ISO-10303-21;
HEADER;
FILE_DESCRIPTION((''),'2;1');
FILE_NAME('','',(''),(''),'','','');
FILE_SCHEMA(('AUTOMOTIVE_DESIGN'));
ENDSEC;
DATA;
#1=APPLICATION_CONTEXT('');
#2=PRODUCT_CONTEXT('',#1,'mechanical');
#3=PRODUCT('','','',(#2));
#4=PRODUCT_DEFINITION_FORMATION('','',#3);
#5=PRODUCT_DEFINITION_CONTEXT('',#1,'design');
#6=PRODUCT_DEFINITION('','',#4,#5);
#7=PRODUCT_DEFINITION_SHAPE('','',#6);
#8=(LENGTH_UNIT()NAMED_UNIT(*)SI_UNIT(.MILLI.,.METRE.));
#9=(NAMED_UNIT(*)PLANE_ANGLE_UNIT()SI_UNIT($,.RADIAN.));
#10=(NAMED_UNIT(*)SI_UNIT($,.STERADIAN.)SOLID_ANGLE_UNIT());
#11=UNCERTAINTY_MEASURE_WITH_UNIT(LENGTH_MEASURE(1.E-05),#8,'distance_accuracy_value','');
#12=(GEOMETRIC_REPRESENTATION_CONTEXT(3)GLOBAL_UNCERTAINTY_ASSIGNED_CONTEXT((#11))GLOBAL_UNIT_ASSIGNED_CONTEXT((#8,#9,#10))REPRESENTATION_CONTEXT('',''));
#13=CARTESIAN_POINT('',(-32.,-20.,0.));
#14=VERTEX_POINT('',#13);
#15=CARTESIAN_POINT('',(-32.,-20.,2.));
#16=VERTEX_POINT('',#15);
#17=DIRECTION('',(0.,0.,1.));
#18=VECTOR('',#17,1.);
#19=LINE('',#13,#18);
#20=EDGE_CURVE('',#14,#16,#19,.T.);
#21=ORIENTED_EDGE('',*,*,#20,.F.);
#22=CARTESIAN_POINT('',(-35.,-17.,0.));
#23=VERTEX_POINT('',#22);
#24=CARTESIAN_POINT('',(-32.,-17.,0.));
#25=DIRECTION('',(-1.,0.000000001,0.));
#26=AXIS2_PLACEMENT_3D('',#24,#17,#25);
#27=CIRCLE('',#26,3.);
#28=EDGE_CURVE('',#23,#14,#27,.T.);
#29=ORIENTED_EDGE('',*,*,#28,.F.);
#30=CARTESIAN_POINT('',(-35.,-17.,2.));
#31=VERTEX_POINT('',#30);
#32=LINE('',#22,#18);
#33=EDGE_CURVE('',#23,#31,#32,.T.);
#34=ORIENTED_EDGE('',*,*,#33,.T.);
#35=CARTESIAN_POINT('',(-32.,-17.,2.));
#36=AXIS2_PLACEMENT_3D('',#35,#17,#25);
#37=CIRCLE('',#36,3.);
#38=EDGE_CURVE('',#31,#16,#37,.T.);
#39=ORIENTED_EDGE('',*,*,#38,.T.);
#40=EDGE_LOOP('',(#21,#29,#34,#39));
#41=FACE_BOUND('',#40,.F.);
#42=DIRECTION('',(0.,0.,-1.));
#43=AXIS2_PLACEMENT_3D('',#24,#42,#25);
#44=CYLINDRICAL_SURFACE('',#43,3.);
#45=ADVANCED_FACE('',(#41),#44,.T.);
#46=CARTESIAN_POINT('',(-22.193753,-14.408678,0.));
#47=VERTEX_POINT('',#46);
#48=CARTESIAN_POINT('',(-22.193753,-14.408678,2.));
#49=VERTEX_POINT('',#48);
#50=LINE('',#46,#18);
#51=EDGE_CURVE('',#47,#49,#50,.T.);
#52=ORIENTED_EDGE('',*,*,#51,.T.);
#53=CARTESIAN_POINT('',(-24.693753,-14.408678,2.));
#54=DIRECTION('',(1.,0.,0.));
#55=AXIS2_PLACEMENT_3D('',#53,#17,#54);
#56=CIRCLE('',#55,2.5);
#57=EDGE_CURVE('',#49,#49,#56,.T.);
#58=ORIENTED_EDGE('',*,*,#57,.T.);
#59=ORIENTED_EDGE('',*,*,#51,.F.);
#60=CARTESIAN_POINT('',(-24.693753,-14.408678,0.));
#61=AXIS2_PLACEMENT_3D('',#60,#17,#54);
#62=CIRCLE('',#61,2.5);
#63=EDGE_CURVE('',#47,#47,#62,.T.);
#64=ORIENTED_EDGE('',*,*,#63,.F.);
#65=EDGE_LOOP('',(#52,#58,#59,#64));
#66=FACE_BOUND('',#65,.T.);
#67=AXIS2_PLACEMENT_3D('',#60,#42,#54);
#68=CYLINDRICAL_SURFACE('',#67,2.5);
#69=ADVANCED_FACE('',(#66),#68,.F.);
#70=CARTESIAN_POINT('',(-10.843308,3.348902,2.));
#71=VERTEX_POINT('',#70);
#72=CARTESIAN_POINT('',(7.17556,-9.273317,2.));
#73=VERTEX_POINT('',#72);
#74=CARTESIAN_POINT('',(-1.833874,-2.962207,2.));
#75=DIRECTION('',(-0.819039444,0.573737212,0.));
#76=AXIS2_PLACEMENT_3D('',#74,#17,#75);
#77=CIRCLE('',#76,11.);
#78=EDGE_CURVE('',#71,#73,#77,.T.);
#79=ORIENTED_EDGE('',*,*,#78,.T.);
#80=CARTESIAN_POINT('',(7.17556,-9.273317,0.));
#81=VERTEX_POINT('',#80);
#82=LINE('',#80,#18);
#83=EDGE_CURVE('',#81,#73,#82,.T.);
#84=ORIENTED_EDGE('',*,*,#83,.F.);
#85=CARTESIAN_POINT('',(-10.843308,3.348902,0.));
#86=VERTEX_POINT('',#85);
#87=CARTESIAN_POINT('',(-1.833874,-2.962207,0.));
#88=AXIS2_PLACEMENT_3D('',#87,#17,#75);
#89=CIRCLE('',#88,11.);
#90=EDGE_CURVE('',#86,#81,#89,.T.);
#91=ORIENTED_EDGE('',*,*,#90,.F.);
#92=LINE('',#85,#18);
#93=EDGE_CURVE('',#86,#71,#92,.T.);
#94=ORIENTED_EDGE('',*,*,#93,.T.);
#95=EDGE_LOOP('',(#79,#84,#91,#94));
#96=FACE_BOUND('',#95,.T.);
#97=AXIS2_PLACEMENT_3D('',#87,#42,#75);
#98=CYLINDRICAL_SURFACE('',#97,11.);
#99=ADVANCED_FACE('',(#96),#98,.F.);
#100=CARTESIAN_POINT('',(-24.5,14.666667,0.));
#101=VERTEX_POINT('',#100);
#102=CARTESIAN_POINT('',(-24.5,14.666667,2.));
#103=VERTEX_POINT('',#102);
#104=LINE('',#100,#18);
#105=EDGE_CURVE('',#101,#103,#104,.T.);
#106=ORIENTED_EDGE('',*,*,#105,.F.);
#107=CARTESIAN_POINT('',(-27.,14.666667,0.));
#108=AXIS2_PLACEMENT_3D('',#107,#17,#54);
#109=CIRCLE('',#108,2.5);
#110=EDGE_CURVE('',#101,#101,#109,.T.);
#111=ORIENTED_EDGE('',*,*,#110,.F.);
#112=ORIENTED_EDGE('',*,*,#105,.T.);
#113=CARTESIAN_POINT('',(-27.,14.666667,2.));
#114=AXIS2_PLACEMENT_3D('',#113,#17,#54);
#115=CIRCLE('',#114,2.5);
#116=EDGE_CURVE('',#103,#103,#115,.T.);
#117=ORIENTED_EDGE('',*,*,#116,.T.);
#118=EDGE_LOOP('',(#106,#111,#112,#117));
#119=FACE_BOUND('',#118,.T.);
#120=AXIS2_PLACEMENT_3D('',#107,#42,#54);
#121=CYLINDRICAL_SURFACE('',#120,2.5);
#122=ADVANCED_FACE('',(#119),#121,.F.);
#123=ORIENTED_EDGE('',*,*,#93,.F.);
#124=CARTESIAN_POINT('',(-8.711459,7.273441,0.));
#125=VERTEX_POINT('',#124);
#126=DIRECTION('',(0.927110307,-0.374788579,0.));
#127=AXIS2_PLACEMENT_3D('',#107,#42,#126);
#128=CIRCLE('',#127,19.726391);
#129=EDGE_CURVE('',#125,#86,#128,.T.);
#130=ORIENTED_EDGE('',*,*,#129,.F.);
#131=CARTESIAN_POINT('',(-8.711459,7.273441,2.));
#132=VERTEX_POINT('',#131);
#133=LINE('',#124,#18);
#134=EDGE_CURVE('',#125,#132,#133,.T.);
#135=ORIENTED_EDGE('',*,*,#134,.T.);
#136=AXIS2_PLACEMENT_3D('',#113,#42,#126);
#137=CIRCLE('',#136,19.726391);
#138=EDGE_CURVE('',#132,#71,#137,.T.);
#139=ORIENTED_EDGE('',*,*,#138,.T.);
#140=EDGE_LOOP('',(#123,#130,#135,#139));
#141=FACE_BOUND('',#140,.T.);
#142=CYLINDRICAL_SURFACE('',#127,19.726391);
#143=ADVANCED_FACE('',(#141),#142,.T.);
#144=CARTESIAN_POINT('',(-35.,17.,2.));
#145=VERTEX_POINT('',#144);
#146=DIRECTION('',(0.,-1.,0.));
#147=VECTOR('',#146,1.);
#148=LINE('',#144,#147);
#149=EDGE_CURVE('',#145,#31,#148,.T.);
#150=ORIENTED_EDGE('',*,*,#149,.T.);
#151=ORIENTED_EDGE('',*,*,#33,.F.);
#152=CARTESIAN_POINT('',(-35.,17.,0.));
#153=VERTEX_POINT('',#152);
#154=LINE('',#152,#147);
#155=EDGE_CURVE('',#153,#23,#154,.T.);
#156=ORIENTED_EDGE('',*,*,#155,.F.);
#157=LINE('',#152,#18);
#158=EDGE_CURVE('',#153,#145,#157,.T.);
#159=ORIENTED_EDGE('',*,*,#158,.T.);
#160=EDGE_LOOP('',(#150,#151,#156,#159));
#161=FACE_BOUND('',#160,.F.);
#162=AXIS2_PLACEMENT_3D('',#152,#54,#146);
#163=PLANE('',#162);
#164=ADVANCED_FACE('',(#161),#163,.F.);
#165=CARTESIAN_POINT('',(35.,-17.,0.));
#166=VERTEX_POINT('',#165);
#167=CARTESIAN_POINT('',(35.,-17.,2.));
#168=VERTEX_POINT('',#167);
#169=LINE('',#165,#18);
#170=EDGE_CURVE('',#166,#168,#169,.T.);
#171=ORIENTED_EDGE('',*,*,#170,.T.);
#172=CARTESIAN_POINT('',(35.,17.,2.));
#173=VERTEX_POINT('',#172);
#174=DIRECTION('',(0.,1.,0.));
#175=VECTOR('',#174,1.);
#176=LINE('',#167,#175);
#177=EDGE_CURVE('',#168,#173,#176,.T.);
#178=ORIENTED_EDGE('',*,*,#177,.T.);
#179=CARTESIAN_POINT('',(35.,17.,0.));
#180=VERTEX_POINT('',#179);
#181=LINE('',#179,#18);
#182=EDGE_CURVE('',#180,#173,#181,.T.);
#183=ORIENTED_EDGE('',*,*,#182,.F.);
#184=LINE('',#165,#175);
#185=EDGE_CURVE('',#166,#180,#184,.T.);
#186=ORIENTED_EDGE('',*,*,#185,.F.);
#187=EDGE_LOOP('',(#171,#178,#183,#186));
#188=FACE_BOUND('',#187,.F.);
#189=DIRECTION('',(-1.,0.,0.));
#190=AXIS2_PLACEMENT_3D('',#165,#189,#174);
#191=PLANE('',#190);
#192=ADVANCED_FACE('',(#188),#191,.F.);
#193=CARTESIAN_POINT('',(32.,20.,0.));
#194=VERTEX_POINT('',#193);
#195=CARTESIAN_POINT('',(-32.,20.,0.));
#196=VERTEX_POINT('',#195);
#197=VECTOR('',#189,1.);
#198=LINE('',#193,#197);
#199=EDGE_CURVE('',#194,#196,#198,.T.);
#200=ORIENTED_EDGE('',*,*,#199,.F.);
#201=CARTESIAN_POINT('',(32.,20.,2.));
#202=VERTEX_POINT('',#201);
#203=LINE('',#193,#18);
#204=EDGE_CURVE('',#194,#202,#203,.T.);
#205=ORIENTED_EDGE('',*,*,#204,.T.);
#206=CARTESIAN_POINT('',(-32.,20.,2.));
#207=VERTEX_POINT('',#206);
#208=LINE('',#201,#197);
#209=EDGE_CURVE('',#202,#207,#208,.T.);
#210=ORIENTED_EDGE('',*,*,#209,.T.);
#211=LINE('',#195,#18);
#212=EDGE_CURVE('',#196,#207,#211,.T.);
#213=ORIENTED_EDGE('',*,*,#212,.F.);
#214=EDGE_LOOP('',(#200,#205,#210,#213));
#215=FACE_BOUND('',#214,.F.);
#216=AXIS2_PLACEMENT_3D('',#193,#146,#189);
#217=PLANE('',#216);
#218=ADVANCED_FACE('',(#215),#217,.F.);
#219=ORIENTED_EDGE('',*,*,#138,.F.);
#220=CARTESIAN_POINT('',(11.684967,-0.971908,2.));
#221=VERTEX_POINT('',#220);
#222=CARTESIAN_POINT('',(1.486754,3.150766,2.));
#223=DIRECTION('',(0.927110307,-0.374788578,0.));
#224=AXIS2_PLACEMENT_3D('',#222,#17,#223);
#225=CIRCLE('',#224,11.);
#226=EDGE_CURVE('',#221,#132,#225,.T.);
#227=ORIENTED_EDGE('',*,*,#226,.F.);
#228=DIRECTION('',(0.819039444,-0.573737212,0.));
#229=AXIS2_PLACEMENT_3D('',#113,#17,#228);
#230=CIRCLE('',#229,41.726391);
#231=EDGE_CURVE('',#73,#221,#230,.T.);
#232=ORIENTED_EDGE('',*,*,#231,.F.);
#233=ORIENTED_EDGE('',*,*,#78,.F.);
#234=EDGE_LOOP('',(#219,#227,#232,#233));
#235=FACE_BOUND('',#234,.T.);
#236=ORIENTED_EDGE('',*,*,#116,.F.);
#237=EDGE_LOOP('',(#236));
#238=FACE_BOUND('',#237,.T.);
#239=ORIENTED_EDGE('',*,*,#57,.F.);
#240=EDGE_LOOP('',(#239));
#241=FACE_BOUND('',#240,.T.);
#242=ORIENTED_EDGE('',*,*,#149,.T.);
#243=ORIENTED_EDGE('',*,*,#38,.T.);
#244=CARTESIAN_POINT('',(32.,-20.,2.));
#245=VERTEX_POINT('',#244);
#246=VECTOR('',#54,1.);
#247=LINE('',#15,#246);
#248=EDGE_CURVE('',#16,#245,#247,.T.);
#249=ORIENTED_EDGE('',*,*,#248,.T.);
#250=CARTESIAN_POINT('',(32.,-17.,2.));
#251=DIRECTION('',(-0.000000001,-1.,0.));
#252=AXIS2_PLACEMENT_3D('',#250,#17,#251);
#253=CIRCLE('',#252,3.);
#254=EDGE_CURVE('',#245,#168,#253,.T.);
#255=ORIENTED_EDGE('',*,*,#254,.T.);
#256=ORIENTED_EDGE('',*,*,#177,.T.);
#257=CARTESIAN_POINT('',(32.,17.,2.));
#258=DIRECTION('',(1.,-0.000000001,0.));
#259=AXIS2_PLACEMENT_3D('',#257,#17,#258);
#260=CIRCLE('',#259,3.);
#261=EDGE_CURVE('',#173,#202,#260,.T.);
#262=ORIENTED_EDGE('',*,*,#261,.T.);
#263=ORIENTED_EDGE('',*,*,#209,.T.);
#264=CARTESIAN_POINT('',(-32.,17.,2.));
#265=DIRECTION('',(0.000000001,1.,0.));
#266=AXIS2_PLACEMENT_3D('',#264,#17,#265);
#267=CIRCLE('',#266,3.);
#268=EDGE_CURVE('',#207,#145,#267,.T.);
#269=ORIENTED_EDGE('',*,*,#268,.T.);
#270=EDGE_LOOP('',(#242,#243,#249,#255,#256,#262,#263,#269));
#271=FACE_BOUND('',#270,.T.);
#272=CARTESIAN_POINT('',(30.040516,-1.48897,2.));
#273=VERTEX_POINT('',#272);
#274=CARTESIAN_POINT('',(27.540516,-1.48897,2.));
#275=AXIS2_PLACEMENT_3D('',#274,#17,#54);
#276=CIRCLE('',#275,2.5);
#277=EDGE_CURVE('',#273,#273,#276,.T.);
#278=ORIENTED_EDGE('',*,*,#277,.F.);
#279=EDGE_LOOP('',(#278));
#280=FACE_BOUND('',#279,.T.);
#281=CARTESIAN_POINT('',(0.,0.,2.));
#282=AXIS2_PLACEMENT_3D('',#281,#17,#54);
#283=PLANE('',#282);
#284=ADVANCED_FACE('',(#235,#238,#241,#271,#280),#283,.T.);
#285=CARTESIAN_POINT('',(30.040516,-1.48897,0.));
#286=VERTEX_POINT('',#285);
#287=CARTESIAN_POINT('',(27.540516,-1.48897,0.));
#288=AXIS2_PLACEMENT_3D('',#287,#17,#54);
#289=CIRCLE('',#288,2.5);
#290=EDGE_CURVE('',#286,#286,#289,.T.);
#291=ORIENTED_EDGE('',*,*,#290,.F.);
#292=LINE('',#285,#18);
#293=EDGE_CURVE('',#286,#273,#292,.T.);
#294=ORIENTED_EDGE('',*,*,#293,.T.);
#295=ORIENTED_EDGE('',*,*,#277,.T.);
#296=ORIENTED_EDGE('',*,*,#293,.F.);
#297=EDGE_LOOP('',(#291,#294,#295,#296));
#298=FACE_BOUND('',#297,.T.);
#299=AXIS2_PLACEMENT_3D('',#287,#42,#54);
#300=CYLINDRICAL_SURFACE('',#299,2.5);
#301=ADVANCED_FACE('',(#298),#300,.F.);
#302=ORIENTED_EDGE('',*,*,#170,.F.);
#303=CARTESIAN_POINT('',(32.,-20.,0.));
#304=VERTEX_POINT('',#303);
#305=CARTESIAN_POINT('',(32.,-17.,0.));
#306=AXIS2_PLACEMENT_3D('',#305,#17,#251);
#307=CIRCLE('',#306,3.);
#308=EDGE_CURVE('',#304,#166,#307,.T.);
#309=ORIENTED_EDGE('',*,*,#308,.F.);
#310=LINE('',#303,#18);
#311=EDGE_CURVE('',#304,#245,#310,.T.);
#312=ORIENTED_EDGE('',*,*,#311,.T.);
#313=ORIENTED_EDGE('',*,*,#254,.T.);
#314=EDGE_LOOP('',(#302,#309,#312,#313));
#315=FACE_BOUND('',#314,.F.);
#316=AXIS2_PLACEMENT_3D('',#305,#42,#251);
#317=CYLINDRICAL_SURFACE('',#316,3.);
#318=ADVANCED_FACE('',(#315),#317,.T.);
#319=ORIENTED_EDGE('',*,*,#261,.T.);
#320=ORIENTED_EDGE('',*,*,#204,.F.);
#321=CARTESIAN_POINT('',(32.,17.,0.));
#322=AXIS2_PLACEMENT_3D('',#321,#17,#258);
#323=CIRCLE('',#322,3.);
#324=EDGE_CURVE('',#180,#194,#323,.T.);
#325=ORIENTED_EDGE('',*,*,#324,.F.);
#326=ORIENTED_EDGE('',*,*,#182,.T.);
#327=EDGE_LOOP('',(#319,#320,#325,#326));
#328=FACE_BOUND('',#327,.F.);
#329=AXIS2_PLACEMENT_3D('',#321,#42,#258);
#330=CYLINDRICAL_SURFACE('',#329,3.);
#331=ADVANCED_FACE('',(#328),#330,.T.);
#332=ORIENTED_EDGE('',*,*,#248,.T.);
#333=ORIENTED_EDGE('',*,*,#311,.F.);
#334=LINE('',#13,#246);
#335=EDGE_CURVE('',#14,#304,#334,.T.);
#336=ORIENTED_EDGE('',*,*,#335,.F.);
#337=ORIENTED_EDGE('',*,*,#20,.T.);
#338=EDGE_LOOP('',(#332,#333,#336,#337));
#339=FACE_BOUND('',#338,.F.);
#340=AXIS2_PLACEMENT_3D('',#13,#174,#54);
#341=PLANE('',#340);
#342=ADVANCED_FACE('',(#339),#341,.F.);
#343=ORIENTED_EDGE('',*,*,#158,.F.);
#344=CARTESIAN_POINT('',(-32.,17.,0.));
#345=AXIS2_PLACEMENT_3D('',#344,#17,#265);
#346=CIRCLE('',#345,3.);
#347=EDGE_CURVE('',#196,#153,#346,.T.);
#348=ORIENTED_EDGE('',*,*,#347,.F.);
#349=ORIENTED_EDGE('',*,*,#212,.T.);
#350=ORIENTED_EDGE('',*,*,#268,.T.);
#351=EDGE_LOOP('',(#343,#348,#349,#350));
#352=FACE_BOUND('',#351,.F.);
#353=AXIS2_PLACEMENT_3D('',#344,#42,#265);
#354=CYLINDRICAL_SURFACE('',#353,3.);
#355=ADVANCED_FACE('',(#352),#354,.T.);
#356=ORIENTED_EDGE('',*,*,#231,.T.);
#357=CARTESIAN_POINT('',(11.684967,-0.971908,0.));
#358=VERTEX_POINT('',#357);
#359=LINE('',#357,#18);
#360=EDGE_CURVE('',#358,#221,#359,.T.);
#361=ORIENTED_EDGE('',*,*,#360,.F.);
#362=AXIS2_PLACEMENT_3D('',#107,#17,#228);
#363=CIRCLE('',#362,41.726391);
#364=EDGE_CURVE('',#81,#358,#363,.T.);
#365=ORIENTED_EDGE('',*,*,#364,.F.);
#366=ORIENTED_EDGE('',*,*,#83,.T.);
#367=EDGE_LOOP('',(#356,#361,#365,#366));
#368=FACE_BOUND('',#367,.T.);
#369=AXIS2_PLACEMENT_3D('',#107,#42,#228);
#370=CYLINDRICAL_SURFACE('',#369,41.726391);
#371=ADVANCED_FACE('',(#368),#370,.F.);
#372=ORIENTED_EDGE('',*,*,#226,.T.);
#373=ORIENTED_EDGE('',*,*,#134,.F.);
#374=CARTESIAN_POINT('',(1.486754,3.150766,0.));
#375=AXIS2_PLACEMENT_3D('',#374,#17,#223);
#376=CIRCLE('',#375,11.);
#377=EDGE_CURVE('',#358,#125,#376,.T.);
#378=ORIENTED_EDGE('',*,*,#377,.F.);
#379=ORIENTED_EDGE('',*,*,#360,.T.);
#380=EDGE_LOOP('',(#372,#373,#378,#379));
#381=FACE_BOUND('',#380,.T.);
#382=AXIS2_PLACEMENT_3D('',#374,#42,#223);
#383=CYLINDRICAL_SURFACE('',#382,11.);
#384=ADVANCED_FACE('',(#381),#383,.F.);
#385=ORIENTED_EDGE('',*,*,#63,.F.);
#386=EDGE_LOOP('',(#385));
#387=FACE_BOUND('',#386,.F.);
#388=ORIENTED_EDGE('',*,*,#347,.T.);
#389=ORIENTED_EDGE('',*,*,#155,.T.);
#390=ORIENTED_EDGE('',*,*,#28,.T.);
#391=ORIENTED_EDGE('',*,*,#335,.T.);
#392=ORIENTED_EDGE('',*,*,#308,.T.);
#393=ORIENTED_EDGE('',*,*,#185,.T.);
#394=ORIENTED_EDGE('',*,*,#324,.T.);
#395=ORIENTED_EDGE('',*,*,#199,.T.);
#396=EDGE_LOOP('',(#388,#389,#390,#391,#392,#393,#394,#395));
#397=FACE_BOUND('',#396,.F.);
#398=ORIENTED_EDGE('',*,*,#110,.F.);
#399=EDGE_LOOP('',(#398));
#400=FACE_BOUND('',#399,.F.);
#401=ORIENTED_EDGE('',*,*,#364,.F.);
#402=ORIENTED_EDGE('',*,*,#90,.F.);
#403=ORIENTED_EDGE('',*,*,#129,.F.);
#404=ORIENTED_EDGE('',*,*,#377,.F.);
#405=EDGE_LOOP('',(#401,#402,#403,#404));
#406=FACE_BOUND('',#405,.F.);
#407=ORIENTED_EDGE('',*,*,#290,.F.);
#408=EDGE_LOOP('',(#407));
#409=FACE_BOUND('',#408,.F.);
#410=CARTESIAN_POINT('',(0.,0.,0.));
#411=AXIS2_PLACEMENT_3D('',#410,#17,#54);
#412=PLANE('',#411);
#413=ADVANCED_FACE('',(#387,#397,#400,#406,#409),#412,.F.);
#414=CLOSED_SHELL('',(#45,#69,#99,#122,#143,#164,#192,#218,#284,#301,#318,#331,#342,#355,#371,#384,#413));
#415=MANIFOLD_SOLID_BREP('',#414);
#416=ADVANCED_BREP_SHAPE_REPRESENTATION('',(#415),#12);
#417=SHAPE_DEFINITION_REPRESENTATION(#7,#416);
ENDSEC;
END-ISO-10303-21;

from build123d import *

# Parameters (mm, degrees)
SZKIC2_R                    = 2.5
DODANIE_WYCI_GNI_CIE3_DEPTH = 2


with BuildPart() as part:
    # Szkic2 → Dodanie-wyciągnięcie3 (new body)
    with BuildSketch(Plane.XY):
        with BuildLine():
            ThreePointArc((-35, -17), (-34.121320344, -19.121320344), (-32, -20))
            Line((-32, -20), (32, -20))
            ThreePointArc((32, -20), (34.121320344, -19.121320344), (35, -17))
            Line((35, -17), (35, 17))
            ThreePointArc((35, 17), (34.121320344, 19.121320344), (32, 20))
            Line((32, 20), (-32, 20))
            ThreePointArc((-32, 20), (-34.121320344, 19.121320344), (-35, 17))
            Line((-35, 17), (-35, -17))
        make_face()
        with Locations((-24.693752651, -14.408678002)):
            Circle(SZKIC2_R, mode=Mode.SUBTRACT)
        with BuildLine():
            ThreePointArc((11.684967283, -0.97190814), (9.665957804, -5.250643745), (7.175560187, -9.273316659))
            ThreePointArc((7.175560187, -9.273316659), (-8.144983036, -11.971641207), (-10.843307584, 3.348902015))
            ThreePointArc((-10.843307584, 3.348902015), (-9.665957804, 5.250643745), (-8.711459473, 7.273440584))
            ThreePointArc((-8.711459473, 7.273440584), (5.609428267, 13.3489796), (11.684967283, -0.97190814))
        make_face(mode=Mode.SUBTRACT)
        with Locations((27.540515543, -1.488970059)):
            Circle(SZKIC2_R, mode=Mode.SUBTRACT)
        with Locations((-27, 14.666666667)):
            Circle(SZKIC2_R, mode=Mode.SUBTRACT)
    extrude(amount=DODANIE_WYCI_GNI_CIE3_DEPTH)


solid = part.part
